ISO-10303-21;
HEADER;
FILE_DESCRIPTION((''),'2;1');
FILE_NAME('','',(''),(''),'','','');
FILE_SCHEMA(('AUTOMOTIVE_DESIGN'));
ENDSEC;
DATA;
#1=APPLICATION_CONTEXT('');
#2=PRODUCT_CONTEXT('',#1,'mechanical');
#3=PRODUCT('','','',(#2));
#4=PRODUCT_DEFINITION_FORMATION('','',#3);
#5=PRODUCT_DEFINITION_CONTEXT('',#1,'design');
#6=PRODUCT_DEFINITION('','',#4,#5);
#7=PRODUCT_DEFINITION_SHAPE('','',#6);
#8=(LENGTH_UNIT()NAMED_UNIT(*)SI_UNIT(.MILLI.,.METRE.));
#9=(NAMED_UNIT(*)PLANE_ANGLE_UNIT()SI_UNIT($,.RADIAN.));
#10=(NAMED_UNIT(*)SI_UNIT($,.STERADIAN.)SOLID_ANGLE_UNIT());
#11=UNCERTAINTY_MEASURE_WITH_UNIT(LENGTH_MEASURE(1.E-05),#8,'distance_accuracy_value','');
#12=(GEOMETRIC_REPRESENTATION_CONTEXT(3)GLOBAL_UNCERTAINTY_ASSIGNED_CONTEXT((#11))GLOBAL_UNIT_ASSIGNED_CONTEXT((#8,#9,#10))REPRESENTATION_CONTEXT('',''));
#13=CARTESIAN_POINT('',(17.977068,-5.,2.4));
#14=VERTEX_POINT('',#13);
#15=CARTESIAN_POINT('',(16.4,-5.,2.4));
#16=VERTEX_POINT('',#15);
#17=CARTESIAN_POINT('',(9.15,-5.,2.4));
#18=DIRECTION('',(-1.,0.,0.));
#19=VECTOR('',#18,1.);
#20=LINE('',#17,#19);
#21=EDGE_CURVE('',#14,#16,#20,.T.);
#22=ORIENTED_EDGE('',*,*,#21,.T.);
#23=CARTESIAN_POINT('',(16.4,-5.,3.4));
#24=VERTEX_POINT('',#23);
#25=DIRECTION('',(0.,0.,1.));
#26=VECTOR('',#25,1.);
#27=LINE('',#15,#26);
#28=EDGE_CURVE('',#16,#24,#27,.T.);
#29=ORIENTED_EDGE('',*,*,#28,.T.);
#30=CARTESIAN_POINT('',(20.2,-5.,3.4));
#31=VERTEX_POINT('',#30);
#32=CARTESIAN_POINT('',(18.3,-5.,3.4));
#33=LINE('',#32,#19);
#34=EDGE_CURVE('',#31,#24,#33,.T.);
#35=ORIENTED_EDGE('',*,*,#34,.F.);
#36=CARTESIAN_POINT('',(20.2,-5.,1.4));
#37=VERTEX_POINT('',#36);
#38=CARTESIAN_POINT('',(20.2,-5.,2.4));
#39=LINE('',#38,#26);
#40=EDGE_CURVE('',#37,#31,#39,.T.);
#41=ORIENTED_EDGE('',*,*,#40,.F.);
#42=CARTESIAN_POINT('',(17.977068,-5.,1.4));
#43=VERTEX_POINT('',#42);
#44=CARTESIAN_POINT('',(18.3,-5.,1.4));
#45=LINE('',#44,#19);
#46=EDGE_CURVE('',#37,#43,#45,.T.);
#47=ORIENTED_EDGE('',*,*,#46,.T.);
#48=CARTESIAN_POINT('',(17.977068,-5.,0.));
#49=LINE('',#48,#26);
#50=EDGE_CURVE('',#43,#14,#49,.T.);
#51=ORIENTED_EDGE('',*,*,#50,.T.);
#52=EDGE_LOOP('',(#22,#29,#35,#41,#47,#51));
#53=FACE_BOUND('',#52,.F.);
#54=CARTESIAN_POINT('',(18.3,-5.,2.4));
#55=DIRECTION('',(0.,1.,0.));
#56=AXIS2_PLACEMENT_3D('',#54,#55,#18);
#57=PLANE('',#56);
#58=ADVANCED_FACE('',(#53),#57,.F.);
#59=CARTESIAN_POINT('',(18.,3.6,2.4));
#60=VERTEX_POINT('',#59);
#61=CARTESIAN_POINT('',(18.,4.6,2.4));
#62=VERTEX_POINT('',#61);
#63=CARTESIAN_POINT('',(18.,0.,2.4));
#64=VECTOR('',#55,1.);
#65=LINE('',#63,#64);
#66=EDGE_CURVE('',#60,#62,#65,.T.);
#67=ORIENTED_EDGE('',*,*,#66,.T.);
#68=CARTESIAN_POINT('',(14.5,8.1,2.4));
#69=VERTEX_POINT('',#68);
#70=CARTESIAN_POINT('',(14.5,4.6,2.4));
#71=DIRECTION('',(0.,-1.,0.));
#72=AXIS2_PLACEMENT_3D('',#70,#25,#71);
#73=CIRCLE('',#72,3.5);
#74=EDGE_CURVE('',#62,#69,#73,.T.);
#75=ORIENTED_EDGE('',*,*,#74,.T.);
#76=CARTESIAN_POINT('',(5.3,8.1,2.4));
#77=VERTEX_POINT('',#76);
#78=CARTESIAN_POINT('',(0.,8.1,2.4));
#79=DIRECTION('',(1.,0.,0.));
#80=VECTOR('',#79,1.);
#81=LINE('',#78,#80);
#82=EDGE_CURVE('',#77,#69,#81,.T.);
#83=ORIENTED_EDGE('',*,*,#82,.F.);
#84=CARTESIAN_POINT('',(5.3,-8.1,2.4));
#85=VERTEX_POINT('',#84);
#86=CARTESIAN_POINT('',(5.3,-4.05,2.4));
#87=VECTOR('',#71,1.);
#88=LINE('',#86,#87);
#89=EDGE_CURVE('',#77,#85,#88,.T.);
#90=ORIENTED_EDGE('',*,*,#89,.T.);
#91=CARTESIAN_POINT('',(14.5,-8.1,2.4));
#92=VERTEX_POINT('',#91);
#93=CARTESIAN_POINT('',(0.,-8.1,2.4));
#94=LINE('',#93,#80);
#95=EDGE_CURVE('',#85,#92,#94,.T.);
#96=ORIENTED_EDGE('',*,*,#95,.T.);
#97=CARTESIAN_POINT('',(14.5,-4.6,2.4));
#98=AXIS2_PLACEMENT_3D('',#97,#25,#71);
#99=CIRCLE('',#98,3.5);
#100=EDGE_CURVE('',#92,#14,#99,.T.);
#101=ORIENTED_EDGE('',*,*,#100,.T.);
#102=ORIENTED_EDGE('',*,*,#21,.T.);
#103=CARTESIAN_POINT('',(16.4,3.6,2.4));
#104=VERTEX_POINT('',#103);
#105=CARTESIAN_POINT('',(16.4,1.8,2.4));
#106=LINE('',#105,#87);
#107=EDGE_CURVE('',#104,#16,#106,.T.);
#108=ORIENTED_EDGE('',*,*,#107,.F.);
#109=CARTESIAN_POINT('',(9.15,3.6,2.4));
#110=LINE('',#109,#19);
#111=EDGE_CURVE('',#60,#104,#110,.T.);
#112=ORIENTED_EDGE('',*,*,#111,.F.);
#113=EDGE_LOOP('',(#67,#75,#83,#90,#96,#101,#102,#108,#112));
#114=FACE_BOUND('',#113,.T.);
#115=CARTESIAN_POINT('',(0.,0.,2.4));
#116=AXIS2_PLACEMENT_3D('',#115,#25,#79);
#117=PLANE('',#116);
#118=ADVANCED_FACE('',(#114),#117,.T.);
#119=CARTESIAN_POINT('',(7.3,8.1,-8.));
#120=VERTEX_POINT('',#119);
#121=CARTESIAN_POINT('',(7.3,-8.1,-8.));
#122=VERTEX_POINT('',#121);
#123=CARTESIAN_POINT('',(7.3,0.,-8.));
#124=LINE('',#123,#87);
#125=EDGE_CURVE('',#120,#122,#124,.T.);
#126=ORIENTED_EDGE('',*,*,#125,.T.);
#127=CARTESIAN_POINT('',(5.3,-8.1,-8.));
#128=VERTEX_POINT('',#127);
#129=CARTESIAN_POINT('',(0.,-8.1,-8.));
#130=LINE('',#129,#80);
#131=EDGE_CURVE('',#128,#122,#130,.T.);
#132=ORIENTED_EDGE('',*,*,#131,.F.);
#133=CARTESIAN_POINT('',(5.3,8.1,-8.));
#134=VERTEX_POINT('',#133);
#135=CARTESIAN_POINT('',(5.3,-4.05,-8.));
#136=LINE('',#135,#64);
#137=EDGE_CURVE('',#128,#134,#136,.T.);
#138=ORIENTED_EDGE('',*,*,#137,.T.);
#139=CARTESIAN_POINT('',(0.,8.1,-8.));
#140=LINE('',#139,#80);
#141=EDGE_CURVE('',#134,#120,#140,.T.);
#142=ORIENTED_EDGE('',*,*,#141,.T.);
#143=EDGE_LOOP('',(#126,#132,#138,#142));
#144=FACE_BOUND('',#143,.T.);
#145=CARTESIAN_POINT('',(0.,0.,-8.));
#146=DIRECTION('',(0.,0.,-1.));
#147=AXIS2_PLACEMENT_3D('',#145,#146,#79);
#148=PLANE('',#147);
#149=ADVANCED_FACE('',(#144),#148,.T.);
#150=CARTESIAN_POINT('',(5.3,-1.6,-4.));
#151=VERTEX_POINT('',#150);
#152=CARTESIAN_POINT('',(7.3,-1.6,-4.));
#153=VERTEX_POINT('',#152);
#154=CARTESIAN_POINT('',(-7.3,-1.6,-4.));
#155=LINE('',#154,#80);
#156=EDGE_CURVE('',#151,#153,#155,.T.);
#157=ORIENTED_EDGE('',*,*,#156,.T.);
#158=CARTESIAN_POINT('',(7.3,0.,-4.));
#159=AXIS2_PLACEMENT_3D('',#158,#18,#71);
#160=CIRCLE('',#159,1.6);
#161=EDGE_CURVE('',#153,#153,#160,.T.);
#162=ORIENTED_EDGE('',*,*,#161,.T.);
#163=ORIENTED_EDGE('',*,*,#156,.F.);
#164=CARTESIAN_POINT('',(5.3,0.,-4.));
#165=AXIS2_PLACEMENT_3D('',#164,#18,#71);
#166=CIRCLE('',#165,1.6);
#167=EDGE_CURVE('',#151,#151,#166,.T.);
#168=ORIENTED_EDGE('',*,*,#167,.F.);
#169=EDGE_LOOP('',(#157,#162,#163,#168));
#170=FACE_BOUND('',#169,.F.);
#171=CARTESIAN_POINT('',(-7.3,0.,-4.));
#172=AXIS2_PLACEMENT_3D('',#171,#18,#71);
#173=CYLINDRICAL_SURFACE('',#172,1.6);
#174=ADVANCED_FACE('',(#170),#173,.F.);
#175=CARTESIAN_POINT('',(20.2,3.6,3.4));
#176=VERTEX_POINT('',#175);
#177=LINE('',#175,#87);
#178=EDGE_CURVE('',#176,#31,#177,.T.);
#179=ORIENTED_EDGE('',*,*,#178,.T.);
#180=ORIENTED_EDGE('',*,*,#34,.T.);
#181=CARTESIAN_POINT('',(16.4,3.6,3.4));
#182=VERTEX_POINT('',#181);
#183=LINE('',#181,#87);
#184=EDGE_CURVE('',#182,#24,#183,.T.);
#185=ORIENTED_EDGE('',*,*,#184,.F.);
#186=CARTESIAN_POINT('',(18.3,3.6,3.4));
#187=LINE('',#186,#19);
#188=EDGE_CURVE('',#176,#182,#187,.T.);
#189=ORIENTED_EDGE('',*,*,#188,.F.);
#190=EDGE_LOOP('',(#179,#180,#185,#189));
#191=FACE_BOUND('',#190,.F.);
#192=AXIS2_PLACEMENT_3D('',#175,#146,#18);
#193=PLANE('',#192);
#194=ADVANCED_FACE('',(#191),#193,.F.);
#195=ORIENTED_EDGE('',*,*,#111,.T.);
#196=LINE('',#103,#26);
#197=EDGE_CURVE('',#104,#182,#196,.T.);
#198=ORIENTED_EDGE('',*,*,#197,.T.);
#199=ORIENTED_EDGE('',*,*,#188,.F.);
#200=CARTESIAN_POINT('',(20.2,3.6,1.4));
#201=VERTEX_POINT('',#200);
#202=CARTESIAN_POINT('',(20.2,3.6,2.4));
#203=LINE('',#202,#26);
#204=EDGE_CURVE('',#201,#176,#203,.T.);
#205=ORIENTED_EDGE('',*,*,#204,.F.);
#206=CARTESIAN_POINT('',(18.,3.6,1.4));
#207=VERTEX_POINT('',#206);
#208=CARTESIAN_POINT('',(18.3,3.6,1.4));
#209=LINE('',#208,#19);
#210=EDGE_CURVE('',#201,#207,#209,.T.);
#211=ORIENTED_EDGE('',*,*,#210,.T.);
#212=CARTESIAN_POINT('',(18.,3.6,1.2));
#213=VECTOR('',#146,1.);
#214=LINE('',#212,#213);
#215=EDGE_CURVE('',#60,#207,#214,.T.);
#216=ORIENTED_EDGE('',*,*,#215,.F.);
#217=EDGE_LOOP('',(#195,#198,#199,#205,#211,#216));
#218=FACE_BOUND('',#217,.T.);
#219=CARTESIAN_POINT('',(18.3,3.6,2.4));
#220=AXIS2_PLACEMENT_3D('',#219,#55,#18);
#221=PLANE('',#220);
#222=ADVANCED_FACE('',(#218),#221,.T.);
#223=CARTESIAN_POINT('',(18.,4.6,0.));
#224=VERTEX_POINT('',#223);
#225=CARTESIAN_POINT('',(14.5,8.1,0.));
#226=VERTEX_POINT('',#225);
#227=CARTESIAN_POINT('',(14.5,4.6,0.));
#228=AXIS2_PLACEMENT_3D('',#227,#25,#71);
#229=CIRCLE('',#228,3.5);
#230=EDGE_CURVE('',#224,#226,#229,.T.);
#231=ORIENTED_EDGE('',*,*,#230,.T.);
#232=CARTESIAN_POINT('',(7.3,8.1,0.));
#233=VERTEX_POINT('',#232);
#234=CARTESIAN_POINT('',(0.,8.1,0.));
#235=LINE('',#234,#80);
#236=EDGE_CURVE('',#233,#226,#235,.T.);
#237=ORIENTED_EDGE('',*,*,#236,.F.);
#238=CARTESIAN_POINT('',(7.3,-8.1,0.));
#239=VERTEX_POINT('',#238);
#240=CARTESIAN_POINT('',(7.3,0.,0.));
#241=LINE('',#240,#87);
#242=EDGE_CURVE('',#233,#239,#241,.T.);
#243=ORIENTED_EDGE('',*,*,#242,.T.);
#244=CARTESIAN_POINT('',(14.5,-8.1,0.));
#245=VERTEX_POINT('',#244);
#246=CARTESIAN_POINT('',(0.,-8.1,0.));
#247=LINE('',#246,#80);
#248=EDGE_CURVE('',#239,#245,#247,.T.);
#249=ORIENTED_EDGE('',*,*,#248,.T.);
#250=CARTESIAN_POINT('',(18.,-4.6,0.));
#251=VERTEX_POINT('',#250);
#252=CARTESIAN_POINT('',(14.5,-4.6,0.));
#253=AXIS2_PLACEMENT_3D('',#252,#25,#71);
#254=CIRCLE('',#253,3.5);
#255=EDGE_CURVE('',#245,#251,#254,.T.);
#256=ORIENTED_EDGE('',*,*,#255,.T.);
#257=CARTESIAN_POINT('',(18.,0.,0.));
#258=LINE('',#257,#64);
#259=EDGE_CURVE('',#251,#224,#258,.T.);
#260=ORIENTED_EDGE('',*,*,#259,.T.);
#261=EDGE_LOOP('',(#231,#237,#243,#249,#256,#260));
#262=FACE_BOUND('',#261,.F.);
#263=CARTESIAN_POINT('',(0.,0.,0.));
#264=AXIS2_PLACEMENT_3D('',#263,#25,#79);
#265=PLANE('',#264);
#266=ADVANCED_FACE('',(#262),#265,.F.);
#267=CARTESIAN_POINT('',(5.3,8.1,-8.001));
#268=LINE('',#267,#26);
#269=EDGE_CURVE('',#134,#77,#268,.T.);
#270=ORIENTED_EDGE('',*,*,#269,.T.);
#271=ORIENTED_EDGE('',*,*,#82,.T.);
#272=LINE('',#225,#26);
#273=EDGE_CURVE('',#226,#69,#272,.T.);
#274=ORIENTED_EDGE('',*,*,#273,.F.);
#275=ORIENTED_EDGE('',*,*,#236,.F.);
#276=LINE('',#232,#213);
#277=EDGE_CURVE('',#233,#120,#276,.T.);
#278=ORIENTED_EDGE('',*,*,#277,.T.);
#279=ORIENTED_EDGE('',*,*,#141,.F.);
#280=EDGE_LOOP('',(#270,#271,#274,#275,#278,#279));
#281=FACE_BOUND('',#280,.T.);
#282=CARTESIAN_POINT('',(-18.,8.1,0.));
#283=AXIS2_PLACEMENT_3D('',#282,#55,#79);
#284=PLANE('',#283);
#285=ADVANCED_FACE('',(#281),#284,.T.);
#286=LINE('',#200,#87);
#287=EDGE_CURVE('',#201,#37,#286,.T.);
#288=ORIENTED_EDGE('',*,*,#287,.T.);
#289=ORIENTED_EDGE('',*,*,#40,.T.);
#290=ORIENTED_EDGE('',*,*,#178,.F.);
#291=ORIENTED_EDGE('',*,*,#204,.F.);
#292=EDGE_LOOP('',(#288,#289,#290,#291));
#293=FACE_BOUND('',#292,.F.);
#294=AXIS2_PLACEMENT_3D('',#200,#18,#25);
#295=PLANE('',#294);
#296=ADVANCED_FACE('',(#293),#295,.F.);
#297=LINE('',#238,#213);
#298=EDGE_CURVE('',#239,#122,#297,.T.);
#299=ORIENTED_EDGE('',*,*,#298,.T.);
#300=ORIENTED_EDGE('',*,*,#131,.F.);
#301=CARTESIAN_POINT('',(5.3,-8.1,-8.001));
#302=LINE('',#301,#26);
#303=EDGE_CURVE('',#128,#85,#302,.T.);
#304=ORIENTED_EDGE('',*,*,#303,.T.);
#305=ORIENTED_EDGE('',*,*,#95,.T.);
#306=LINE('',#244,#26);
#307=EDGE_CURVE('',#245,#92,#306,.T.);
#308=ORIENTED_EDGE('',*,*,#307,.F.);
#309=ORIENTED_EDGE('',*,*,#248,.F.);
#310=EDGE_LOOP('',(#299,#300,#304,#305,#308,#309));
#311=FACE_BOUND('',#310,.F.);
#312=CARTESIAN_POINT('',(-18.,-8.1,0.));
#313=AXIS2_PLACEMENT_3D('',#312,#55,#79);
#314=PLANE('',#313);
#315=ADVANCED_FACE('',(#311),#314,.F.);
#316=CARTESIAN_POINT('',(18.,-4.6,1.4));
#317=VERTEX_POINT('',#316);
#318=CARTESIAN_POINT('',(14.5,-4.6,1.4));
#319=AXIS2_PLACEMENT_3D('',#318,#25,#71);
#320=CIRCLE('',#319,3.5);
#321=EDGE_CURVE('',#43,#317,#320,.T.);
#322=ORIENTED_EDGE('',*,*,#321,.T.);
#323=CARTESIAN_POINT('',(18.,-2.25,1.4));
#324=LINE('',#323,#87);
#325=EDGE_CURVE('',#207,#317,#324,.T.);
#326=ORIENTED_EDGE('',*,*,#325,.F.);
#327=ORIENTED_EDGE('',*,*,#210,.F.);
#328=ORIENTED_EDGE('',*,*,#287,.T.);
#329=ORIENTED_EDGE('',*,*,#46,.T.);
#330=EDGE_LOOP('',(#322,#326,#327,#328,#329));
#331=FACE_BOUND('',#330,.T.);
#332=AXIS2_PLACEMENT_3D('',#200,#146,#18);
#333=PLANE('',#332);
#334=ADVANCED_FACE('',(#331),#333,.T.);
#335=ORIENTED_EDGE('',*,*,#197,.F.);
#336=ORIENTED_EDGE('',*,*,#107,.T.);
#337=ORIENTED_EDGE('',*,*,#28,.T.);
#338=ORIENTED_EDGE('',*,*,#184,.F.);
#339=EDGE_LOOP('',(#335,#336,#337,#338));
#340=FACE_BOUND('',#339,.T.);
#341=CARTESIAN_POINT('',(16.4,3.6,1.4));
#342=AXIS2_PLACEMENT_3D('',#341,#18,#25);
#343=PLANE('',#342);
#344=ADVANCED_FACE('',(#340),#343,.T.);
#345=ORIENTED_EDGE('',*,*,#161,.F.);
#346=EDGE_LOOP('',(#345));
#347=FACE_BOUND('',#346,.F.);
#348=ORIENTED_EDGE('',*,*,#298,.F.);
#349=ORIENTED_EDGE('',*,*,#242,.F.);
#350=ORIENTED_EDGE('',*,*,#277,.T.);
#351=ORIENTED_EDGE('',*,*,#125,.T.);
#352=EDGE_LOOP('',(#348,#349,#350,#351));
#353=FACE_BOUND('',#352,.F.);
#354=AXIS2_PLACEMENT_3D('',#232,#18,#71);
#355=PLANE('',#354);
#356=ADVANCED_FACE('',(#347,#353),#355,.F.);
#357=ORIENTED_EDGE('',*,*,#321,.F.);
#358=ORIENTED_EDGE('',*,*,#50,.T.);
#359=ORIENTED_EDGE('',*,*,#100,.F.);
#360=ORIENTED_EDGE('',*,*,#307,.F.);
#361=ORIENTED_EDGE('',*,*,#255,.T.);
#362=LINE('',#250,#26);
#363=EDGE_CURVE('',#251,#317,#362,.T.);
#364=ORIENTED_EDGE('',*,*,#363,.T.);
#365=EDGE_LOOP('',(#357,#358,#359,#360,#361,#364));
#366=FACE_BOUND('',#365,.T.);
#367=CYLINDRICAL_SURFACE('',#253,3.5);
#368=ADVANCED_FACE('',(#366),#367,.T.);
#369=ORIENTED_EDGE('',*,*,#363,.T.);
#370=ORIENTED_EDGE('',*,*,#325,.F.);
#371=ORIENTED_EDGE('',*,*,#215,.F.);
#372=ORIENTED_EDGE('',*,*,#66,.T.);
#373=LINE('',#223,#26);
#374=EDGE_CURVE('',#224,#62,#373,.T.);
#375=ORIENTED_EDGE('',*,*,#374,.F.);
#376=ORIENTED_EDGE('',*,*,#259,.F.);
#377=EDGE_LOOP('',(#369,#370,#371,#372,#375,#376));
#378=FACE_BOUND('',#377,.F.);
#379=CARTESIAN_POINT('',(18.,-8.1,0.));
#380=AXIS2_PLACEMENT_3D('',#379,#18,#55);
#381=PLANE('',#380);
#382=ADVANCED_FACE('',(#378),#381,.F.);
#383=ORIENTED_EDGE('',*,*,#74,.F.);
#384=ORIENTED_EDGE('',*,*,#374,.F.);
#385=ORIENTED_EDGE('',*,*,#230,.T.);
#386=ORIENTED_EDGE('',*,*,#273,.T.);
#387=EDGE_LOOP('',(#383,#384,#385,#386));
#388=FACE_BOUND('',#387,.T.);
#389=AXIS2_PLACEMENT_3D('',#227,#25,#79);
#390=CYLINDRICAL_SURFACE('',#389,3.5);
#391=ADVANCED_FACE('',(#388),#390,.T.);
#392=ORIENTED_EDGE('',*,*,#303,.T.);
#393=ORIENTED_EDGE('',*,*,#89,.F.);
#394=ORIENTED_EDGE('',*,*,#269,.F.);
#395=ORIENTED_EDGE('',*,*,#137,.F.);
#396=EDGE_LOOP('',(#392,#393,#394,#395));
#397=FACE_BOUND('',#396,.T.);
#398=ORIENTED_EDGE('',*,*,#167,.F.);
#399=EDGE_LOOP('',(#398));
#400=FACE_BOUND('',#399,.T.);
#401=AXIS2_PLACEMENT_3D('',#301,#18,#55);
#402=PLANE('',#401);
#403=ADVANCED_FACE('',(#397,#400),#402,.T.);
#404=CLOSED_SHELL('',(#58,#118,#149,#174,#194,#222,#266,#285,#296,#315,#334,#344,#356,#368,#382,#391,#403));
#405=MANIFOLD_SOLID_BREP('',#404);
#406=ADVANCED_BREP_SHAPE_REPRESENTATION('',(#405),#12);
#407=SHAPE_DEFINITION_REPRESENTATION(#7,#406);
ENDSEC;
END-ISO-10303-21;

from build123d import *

# Parameters (mm, degrees)
F0_W      = 36
F0_H      = 16.2
F1_DEPTH  = 2.4
F2_R      = 3.5
F4_W      = 3.8
F4_H      = 2
F5_DEPTH  = 8.6
F7_W      = 14.6
F7_H      = 16.2
F8_DEPTH  = 8
F9_R      = 1.6
F10_DEPTH = 14.6
F11_START = -8.001
F6_W      = 14.9
F6_H      = 16.2
F11_DEPTH = 11.402


with BuildPart() as f1:
    # F0 (on Top) → F1 (new body)
    with BuildSketch(Plane.XY):
        Rectangle(F0_W, F0_H)
    extrude(amount=F1_DEPTH)

    # F2
    f2_edges = [f1.edges().sort_by_distance(p)[0] for p in [
        (-18, -8.1, 1.2),
        (-18, 8.1, 1.2),
        (18, -8.1, 1.2),
        (18, 8.1, 1.2),
    ]]
    fillet(f2_edges, radius=F2_R)

    # F4 (on offset) → F5 (join)
    with BuildSketch(Plane(origin=(0, 3.6, 0), x_dir=(-1, 0, 0), z_dir=(0, 1, 0))):
        with Locations((-18.3, 2.4)):
            Rectangle(F4_W, F4_H)
        with Locations((18.3, 2.4)):
            Rectangle(F4_W, F4_H)
    extrude(amount=-F5_DEPTH)

    # F7 (on face) → F8 (join)
    with BuildSketch(Plane(origin=(0, 0, 0), x_dir=(1, 0, 0), z_dir=(0, 0, -1))):
        Rectangle(F7_W, F7_H)
    extrude(amount=F8_DEPTH)

    # F9 (on face) → F10 (cut, through all)
    with BuildSketch(Plane(origin=(-7.3, 0, 0), x_dir=(0, -1, 0), z_dir=(-1, 0, 0))):
        with Locations((0, -4)):
            Circle(F9_R)
    extrude(amount=-F10_DEPTH, mode=Mode.SUBTRACT)

    # F6 (on Top) → F11 (intersect)
    with BuildSketch(Plane.XY.offset(F11_START)):
        with Locations((12.75, 0)):
            Rectangle(F6_W, F6_H)
    extrude(amount=F11_DEPTH, mode=Mode.INTERSECT)


solid = f1.part
